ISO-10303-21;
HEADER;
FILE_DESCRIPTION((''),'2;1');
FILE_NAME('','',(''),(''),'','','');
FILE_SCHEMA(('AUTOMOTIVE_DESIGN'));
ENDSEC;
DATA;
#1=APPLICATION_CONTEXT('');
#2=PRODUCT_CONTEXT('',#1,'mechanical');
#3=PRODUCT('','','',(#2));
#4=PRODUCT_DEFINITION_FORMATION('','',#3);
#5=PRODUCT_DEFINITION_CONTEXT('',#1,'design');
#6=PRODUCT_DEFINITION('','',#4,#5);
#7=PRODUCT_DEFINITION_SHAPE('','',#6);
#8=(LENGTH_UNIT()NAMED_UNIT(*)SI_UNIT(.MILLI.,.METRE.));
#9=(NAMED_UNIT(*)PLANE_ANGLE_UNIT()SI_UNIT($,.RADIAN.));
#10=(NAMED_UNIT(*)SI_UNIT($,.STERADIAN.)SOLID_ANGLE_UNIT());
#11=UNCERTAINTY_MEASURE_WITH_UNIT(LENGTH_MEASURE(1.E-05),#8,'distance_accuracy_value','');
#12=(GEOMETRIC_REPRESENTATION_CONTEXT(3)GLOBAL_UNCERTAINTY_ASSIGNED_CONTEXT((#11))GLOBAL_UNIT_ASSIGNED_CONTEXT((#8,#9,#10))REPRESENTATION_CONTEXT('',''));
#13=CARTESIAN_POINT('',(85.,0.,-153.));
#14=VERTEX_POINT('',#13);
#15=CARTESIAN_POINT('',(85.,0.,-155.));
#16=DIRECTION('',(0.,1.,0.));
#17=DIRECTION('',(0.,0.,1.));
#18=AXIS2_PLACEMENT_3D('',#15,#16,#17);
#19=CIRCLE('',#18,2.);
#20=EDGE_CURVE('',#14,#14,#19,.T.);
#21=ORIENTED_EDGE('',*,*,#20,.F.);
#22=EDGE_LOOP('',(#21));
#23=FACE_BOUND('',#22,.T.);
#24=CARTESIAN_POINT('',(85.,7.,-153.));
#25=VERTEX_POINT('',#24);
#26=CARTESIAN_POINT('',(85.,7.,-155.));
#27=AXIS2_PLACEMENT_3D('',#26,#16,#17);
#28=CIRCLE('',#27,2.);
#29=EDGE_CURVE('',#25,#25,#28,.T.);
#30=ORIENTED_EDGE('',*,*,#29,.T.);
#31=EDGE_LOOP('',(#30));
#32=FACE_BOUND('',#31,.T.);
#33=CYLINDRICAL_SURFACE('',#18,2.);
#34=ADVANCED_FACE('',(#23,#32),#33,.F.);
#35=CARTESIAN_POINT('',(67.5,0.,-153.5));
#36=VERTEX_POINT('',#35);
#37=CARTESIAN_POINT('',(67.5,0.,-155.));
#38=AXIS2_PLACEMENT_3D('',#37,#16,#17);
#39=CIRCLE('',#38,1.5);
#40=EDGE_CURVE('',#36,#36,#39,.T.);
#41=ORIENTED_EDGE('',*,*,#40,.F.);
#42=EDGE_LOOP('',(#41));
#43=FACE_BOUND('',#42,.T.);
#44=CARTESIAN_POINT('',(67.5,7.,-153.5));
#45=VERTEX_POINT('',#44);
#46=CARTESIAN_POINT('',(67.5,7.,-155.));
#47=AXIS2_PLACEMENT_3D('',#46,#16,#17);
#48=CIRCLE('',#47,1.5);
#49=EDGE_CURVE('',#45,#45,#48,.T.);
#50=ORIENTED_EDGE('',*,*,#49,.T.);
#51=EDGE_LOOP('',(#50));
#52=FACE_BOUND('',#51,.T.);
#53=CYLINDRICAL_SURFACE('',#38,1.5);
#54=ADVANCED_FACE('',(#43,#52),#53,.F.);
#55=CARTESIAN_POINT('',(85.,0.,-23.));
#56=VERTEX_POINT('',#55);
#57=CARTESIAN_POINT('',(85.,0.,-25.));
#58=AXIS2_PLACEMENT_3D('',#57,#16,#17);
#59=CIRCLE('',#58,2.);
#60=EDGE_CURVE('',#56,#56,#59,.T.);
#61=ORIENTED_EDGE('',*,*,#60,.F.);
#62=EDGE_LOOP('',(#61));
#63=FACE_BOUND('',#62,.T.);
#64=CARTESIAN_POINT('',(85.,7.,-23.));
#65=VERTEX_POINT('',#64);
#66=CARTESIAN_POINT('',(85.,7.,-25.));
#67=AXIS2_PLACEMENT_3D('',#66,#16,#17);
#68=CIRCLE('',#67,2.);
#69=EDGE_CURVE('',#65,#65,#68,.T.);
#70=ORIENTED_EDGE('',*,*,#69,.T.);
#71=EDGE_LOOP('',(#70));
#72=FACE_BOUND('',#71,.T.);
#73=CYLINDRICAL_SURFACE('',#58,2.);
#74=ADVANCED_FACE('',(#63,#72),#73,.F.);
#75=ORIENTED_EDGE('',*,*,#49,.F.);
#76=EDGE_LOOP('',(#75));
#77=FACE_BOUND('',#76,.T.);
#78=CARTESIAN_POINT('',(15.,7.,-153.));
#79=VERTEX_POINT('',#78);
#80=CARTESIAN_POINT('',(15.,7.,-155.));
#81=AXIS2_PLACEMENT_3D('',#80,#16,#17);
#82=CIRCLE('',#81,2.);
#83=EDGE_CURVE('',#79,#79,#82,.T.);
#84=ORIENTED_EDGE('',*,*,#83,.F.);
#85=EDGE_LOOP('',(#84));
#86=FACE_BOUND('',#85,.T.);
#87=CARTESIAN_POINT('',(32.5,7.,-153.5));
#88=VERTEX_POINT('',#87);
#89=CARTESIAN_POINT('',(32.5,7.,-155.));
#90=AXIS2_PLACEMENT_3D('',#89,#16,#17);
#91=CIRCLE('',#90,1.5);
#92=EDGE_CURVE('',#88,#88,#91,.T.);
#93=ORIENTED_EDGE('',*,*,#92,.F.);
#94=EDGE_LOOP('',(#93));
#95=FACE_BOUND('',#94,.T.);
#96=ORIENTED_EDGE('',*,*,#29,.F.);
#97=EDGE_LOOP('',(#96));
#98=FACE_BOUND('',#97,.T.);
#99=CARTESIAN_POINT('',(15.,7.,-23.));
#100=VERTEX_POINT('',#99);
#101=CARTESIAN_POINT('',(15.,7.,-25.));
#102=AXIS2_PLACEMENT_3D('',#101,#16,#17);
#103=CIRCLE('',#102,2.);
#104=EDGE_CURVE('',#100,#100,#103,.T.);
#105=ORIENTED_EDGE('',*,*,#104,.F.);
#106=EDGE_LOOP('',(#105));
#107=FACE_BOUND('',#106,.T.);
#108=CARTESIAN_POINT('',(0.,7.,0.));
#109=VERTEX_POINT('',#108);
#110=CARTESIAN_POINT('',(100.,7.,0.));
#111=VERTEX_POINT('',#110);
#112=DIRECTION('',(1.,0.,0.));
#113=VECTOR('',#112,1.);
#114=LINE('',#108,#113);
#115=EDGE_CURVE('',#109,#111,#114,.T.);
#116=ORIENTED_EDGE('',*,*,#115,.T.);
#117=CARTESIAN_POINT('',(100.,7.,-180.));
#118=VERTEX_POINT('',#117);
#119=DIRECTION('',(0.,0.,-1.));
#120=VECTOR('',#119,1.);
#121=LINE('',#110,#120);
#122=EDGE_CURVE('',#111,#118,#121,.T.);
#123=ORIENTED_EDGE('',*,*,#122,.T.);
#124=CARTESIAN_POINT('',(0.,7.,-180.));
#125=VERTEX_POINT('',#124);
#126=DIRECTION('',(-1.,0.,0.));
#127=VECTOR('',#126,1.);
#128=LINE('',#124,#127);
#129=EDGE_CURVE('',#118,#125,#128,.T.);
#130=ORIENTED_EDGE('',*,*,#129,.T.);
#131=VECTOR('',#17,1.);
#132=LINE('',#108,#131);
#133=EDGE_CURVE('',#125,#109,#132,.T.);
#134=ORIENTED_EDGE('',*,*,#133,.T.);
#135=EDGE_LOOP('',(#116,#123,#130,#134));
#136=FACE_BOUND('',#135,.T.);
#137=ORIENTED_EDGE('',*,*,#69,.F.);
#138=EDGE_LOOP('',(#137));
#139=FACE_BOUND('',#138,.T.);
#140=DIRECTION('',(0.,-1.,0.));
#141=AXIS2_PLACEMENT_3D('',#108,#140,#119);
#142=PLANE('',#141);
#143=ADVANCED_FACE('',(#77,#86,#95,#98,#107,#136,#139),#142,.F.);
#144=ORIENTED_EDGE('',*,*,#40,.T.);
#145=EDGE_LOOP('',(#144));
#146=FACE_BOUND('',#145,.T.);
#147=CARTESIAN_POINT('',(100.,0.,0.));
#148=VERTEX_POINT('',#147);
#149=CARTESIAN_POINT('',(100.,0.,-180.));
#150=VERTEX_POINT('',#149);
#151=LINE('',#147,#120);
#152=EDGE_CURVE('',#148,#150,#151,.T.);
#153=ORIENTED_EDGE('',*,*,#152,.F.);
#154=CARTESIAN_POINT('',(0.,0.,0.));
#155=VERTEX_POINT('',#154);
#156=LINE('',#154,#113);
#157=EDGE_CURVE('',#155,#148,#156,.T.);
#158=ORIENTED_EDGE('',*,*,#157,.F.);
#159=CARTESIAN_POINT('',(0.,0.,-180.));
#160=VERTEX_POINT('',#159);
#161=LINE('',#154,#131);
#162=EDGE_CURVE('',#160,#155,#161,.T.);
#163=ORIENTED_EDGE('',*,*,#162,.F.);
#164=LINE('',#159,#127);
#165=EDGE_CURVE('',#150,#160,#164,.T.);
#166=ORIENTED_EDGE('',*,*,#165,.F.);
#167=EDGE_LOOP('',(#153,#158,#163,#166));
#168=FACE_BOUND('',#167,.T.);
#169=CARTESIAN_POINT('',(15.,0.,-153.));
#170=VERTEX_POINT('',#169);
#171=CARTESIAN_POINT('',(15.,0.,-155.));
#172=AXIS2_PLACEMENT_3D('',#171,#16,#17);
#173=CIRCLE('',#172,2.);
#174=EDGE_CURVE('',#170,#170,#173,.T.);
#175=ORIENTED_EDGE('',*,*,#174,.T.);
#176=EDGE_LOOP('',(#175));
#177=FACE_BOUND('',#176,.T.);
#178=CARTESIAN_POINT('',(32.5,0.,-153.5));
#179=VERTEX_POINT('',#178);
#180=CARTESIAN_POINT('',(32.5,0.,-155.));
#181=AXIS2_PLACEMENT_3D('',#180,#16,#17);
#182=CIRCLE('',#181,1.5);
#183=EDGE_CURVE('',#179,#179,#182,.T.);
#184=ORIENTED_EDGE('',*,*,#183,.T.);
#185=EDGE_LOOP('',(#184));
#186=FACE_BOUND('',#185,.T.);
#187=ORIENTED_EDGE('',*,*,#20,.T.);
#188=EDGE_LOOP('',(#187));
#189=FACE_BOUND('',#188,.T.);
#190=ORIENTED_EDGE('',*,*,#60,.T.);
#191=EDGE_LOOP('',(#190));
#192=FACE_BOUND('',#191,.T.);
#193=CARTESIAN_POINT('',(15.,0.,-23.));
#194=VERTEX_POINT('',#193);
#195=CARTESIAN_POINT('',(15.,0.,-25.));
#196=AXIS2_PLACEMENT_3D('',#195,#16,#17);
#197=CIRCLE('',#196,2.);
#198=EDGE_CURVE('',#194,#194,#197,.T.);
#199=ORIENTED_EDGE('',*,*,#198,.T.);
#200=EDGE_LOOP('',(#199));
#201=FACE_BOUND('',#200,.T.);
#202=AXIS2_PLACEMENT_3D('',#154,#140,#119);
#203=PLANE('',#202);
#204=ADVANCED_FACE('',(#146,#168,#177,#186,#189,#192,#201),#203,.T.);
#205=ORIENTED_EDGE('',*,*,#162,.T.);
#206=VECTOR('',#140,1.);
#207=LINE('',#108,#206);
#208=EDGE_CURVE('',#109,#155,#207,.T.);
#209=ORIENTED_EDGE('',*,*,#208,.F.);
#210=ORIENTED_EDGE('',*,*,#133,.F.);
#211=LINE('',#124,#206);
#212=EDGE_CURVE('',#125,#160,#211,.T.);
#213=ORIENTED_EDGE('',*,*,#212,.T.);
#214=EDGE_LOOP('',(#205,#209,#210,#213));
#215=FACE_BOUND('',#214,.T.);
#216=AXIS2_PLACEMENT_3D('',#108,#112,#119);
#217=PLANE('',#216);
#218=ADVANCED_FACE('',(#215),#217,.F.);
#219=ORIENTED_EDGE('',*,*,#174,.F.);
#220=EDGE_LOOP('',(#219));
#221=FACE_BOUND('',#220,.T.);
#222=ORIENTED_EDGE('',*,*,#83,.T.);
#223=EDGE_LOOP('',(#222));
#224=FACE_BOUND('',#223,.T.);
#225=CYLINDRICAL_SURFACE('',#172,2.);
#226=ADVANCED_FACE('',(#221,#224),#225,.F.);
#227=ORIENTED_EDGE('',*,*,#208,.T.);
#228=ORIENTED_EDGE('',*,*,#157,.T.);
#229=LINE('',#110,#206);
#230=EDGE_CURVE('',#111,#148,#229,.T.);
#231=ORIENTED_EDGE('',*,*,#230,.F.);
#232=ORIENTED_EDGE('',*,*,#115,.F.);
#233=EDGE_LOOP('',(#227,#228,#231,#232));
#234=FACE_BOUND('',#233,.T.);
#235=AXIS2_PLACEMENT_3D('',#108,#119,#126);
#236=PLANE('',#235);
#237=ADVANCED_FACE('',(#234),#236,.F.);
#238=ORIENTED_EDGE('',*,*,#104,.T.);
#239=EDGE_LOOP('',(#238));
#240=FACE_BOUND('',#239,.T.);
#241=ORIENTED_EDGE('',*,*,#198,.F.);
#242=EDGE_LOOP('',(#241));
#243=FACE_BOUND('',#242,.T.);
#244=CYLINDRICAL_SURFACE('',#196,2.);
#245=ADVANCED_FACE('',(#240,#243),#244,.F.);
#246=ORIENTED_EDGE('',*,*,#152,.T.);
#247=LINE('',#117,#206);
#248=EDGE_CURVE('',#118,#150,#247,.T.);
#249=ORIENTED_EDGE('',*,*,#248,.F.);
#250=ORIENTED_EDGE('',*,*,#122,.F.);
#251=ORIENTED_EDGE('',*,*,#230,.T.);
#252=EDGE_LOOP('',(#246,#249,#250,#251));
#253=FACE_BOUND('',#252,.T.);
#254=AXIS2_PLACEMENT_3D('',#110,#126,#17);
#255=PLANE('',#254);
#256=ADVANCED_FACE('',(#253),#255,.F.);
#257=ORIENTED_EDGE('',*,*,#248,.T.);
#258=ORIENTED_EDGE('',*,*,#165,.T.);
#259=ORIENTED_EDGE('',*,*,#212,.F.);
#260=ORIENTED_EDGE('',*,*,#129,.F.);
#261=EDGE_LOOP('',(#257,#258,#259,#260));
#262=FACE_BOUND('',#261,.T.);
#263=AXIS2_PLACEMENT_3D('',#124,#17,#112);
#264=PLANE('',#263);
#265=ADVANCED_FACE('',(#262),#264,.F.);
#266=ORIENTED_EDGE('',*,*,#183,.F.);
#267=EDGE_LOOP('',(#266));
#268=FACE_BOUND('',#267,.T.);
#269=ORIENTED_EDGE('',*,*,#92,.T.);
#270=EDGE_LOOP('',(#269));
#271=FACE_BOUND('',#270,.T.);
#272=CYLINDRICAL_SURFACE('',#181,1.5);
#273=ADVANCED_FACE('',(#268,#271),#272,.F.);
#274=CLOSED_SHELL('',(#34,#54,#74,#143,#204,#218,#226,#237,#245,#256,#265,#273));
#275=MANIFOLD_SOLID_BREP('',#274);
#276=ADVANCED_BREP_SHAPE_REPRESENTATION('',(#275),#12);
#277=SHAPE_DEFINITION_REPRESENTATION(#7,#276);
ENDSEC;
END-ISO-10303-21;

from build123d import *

# Parameters (mm, degrees)
SKETCH1_W           = 100
SKETCH1_H           = 180
BOSS_EXTRUDE1_DEPTH = 7
SKETCH3_R           = 2
CUT_EXTRUDE1_DEPTH  = 207.031550982
SKETCH4_R           = 1.5
CUT_EXTRUDE2_DEPTH  = 207.031550982


with BuildPart() as part:
    # Sketch1 → Boss-Extrude1 (new body)
    with BuildSketch(Plane(origin=(0, 0, 0), x_dir=(1, 0, 0), z_dir=(0, 1, 0))):
        with Locations((50, 90)):
            Rectangle(SKETCH1_W, SKETCH1_H)
    extrude(amount=BOSS_EXTRUDE1_DEPTH)

    # Sketch3 → Cut-Extrude1 (cut, through all)
    with BuildSketch(Plane(origin=(0, 7, 0), x_dir=(1, 0, 0), z_dir=(0, 1, 0))):
        with Locations(Location((15, 25, 0), (0, 0, 270))):
            Circle(SKETCH3_R)
        with Locations(Location((85, 25, 0), (0, 0, 270))):
            Circle(SKETCH3_R)
        with Locations(Location((15, 155, 0), (0, 0, 270))):
            Circle(SKETCH3_R)
        with Locations(Location((85, 155, 0), (0, 0, 270))):
            Circle(SKETCH3_R)
    extrude(amount=-CUT_EXTRUDE1_DEPTH, mode=Mode.SUBTRACT)

    # Sketch4 → Cut-Extrude2 (cut, through all)
    with BuildSketch(Plane(origin=(0, 7, 0), x_dir=(1, 0, 0), z_dir=(0, 1, 0))):
        with Locations(Location((32.5, 155, 0), (0, 0, 270))):
            Circle(SKETCH4_R)
        with Locations(Location((67.5, 155, 0), (0, 0, 270))):
            Circle(SKETCH4_R)
    extrude(amount=-CUT_EXTRUDE2_DEPTH, mode=Mode.SUBTRACT)


solid = part.part
